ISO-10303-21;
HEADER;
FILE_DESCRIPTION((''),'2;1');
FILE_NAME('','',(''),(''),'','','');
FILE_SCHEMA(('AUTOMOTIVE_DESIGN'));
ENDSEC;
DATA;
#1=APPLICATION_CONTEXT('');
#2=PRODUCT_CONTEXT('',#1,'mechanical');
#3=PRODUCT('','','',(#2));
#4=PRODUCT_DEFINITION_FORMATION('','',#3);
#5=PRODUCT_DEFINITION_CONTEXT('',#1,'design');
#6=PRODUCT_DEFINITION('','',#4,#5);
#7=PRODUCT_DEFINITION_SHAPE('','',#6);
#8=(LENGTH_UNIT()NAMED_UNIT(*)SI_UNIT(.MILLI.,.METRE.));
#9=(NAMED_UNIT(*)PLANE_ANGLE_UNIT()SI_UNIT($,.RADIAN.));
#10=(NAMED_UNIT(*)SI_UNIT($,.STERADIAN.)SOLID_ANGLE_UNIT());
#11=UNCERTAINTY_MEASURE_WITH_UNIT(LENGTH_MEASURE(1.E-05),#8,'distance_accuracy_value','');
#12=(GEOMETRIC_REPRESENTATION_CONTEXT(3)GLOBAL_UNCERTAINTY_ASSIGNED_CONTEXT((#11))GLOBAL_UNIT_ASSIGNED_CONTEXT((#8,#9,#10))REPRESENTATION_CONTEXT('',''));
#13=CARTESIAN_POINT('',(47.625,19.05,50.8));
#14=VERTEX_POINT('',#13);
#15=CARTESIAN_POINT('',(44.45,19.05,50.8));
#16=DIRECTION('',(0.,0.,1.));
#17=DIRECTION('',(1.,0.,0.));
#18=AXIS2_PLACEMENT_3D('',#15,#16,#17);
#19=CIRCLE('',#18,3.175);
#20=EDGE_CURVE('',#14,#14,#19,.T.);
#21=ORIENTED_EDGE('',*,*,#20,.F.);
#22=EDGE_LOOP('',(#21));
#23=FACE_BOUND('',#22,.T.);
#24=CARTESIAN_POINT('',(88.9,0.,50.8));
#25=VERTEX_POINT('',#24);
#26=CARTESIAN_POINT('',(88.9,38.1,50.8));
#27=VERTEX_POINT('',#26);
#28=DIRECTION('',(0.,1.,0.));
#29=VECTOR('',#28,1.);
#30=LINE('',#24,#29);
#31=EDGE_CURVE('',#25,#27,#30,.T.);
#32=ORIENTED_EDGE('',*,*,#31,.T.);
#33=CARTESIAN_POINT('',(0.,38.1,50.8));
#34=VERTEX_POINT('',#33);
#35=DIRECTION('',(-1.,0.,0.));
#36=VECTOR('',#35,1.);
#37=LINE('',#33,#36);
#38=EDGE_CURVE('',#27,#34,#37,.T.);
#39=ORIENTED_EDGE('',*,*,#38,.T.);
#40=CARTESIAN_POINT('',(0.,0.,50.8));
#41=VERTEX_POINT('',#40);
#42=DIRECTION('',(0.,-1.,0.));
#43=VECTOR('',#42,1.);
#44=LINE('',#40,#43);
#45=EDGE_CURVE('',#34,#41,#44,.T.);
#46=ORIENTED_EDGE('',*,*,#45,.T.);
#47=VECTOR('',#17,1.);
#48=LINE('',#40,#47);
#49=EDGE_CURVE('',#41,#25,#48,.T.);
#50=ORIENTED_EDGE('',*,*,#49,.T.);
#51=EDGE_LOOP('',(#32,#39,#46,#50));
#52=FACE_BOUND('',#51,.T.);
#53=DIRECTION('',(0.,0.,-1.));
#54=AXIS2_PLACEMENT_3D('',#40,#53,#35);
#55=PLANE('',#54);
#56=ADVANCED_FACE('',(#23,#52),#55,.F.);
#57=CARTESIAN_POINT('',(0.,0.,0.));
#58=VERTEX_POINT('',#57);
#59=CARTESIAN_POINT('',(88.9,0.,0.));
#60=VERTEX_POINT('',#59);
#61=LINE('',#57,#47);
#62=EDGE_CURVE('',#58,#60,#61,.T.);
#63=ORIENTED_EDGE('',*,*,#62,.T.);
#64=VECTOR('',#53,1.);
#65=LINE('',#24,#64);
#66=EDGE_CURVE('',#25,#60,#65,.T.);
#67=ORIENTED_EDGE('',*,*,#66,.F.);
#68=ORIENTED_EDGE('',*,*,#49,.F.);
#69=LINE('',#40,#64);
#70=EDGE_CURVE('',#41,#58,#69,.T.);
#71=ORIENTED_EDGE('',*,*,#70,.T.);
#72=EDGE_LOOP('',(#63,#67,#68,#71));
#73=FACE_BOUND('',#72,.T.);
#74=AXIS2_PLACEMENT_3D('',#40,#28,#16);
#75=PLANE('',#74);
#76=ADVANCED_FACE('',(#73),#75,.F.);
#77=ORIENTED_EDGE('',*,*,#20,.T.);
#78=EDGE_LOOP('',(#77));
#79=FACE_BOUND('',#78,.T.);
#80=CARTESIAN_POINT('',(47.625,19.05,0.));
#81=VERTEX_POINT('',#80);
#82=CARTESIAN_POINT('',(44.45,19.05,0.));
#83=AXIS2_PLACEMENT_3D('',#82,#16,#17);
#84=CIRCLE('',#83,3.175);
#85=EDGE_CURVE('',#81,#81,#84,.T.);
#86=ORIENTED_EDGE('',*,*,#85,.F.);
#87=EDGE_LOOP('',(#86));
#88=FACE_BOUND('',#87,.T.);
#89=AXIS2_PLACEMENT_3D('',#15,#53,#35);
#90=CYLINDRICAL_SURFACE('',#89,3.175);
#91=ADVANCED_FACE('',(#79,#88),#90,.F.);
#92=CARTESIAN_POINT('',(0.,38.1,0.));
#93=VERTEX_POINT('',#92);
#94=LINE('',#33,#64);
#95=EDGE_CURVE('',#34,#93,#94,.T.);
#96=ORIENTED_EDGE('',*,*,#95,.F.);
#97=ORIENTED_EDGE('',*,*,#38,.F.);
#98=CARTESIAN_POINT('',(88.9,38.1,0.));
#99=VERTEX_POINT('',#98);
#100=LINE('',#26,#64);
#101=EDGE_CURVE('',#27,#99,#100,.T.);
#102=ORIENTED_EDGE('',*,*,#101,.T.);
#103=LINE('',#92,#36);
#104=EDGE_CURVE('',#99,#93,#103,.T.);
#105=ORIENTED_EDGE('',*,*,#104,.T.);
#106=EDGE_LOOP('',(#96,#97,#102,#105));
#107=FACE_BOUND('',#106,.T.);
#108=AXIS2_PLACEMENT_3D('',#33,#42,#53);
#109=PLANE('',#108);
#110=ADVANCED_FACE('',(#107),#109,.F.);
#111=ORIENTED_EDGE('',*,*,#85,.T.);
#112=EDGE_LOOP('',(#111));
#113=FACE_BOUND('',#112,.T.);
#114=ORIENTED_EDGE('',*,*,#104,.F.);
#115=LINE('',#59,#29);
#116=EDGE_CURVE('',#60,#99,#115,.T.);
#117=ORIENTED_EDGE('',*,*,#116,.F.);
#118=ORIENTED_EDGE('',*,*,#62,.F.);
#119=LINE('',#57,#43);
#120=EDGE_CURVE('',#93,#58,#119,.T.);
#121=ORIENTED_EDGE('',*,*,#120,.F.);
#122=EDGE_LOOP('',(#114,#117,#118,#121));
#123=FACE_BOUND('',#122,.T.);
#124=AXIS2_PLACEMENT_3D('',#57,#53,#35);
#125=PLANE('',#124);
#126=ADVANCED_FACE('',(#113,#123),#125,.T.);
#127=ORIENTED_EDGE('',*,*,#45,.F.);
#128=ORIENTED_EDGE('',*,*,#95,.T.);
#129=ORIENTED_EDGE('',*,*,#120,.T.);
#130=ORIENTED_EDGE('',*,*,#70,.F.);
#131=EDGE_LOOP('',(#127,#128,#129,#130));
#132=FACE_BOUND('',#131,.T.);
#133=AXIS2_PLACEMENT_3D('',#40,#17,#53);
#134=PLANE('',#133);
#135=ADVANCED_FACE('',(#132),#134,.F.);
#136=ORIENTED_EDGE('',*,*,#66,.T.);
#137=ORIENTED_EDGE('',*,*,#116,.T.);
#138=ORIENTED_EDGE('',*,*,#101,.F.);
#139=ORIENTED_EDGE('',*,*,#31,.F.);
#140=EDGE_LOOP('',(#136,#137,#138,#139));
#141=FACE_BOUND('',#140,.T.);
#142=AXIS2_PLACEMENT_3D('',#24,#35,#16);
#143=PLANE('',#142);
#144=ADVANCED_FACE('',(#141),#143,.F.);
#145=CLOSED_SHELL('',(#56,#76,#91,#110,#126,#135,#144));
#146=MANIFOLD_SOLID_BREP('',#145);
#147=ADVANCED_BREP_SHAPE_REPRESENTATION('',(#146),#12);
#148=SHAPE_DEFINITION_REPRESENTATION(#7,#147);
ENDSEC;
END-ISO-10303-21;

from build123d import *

# Parameters (mm, degrees)
SKETCH1_W           = 88.9
SKETCH1_H           = 38.1
SKETCH1_R           = 3.175
BOSS_EXTRUDE1_DEPTH = 50.8


with BuildPart() as part:
    # Sketch1 → Boss-Extrude1 (new body)
    with BuildSketch(Plane.XY):
        with Locations((44.45, 19.05)):
            Rectangle(SKETCH1_W, SKETCH1_H)
        with Locations((44.45, 19.05)):
            Circle(SKETCH1_R, mode=Mode.SUBTRACT)
    extrude(amount=BOSS_EXTRUDE1_DEPTH)


solid = part.part
